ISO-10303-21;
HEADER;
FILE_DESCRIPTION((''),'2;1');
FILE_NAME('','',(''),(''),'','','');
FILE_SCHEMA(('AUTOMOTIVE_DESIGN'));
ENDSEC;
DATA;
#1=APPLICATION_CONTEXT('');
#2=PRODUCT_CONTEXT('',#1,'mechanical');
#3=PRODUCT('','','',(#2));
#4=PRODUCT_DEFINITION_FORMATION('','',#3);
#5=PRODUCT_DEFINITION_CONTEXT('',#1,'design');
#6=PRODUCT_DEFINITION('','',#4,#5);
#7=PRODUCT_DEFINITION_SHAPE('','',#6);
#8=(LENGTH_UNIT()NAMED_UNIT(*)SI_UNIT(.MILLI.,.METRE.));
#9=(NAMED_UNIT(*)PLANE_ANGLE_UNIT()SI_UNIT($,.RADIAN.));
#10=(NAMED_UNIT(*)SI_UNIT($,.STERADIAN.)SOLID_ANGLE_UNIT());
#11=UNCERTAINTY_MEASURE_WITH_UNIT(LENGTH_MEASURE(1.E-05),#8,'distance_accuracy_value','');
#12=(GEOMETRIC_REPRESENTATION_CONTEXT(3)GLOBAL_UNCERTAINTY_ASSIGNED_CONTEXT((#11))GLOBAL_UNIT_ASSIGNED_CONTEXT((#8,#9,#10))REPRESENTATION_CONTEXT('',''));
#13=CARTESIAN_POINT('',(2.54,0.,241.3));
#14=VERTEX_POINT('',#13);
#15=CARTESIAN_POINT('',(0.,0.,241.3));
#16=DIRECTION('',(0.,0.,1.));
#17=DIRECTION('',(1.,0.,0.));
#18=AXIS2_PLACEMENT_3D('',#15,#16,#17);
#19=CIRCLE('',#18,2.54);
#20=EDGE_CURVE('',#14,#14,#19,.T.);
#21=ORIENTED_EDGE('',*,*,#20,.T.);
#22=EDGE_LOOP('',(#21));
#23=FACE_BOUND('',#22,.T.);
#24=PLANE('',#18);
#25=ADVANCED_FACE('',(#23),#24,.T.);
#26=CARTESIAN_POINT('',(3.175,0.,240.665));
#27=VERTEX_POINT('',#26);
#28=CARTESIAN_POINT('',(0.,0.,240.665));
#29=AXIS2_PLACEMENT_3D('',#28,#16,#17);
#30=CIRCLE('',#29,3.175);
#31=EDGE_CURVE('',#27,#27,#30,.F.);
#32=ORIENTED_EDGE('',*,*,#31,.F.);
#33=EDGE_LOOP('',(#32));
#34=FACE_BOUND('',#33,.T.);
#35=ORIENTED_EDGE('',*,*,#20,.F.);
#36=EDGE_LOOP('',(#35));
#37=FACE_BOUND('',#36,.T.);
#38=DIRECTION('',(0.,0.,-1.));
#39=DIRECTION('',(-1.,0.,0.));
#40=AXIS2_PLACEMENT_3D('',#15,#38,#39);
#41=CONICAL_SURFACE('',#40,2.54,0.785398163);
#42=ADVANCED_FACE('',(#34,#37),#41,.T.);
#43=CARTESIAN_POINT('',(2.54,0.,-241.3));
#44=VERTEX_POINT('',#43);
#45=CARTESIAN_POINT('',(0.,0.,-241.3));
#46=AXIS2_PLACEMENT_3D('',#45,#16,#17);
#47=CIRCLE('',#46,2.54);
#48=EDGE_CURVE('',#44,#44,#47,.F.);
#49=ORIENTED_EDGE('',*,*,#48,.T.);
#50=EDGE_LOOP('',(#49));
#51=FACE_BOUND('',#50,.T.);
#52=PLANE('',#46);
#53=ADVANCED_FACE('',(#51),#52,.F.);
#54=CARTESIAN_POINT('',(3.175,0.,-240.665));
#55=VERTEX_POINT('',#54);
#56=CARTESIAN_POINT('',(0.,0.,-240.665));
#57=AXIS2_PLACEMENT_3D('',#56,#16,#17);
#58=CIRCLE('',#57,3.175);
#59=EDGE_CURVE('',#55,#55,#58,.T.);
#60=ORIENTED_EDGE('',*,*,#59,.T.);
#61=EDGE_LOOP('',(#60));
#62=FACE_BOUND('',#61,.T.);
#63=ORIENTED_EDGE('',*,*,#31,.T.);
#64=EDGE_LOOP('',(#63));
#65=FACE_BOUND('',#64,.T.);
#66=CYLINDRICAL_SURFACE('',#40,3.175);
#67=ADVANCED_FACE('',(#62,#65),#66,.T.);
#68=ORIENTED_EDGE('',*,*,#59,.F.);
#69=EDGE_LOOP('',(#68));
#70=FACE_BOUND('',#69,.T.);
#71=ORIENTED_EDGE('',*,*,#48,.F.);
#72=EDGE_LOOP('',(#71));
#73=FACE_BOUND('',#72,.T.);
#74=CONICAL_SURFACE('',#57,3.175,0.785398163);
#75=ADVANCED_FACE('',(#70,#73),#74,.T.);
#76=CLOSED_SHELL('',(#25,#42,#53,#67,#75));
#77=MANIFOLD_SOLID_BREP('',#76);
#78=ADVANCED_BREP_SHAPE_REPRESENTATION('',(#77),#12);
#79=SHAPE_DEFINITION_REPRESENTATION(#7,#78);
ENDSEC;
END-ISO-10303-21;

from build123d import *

# Parameters (mm, degrees)
SKETCH3_R           = 3.175
BOSS_EXTRUDE1_DEPTH = 241.3
CHAMFER1_SIZE       = 0.635


with BuildPart() as part:
    # Sketch3 → Boss-Extrude1 (new body, symmetric)
    with BuildSketch(Plane.XY):
        Circle(SKETCH3_R)
    extrude(amount=BOSS_EXTRUDE1_DEPTH, both=True)

    # Chamfer1
    chamfer1_edges = [part.edges().sort_by_distance(p)[0] for p in [
        (-3.175, 0, -241.3),
        (-3.175, 0, 241.3),
    ]]
    chamfer(chamfer1_edges, length=CHAMFER1_SIZE)


solid = part.part
